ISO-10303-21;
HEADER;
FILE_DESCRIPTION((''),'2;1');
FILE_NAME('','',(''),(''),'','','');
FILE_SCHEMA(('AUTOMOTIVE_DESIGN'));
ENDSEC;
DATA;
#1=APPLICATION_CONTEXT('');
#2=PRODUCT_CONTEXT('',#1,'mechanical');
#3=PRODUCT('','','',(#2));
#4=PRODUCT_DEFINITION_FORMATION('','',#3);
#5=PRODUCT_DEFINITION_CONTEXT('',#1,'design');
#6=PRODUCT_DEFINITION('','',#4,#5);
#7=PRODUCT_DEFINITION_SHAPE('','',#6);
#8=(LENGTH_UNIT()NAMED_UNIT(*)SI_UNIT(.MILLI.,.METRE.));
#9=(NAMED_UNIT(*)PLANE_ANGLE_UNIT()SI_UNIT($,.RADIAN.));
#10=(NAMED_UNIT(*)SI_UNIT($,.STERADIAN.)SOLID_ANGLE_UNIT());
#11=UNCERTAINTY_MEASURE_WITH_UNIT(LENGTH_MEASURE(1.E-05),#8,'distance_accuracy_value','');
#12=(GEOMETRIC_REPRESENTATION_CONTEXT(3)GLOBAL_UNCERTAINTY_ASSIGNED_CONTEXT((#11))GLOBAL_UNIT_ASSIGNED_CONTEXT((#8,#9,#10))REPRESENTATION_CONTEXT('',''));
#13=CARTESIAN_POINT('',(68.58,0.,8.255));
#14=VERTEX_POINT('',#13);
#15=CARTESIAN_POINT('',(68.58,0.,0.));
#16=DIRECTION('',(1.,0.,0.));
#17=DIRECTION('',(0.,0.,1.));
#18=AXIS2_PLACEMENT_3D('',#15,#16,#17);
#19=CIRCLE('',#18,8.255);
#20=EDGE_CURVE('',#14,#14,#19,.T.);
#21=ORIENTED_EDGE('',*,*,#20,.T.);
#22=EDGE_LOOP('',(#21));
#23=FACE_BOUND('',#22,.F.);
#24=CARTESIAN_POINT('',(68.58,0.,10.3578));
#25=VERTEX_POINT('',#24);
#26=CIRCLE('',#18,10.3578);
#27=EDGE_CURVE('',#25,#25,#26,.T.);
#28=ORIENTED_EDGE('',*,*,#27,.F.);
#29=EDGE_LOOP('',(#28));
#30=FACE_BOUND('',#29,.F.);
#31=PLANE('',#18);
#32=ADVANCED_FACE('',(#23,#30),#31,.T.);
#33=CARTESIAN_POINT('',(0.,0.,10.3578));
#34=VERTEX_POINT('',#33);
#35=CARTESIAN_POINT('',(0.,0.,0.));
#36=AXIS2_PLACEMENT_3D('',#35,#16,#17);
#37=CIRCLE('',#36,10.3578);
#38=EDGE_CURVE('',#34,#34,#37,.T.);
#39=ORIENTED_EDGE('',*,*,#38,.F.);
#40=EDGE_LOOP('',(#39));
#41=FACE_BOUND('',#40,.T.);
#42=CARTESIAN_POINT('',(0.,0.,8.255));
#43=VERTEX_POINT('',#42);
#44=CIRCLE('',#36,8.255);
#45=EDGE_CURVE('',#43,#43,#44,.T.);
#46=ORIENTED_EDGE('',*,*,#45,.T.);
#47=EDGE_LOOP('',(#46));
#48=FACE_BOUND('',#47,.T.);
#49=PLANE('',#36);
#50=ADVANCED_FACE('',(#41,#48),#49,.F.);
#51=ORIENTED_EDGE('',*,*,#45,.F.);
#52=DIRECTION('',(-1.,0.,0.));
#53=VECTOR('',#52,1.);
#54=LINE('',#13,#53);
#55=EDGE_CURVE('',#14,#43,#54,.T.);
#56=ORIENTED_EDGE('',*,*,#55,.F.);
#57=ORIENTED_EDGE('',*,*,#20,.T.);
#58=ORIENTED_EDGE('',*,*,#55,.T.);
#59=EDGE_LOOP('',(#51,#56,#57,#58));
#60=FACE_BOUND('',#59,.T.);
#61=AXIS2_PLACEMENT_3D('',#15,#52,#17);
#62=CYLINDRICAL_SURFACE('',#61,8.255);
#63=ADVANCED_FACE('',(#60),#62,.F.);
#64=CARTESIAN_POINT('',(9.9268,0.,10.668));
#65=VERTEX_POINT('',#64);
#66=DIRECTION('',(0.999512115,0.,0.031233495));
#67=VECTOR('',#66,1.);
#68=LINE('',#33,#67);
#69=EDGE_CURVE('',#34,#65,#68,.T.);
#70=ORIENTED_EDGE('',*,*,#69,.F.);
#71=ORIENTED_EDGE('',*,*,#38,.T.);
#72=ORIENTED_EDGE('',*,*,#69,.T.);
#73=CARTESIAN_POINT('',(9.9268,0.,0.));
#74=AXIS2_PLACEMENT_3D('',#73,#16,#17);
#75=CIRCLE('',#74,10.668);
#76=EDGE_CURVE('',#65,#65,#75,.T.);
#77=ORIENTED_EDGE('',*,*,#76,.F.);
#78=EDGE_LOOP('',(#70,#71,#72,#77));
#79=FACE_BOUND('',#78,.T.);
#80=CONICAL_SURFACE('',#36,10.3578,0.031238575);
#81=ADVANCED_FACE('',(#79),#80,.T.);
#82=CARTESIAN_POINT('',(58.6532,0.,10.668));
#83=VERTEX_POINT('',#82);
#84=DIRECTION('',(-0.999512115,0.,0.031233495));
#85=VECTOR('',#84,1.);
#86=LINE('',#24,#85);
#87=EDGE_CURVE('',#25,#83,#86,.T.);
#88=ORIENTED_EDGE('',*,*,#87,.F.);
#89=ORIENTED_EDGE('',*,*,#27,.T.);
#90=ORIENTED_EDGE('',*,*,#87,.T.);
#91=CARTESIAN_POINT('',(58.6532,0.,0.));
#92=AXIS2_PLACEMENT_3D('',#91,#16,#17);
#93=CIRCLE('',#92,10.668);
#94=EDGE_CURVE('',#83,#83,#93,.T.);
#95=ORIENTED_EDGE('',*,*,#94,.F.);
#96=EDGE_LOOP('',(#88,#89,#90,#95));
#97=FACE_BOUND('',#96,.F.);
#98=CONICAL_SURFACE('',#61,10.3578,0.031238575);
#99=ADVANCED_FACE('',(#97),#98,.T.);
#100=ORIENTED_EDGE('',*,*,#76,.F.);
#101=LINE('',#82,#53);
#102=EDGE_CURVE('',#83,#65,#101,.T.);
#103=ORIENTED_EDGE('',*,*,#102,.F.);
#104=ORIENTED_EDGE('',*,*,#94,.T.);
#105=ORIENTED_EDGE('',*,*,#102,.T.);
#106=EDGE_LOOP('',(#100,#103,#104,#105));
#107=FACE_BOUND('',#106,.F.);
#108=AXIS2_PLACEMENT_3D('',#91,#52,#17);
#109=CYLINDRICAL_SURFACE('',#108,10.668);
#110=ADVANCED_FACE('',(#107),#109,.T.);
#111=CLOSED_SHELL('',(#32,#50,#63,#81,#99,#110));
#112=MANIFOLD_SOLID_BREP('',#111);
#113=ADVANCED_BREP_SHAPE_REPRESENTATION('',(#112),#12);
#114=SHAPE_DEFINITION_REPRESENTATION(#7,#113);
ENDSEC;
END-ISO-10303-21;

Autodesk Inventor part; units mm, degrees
ref_plane "YZ Plane" through (0, 0, 0) normal (1, 0, 0) x (0, 1, 0)
ref_plane "XZ Plane" through (0, 0, 0) normal (0, 1, 0) x (-1, 0, 0)
ref_plane "XY Plane" through (0, 0, 0) normal (0, 0, 1) x (1, 0, 0)
sketch "Sketch1" plane through (0, 0, 0) normal (0, 1, 0) x (-1, 0, 0)
  line L0 (0, 0) -> (-68.58, 0)
  line L1 (-68.58, 0) -> (-68.58, 8.255) construction
  line L2 (-68.58, 8.255) -> (-68.58, 10.3578)
  line L3 (-68.58, 10.3578) -> (-58.6532, 10.668)
  line L4 (-58.6532, 10.668) -> (-9.9268, 10.668)
  line L5 (-34.29, 0) -> (-34.29, 10.668) construction
  line L6 (-68.58, 8.255) -> (0, 8.255)
  line L7 (0, 0) -> (0, 8.255) construction
  line L8 (0, 8.255) -> (0, 10.3578)
  line L9 (0, 10.3578) -> (-9.9268, 10.668)
  line L10 (-55.024, 10.7814) -> (-55.024, 0) construction
  line L11 (-13.556, 10.7814) -> (-13.556, 0) construction
  line L12 (-58.6532, 10.668) -> (-55.024, 10.7814) construction
  line L13 (-58.6532, 10.668) -> (-58.6532, 0) construction
  line L14 (-9.9268, 10.668) -> (-13.556, 10.7814) construction
  line L15 (-9.9268, 10.668) -> (-9.9268, 0) construction
  dimension "d0" = 21.336
  dimension "d1" = 1.79
  dimension "d2" = 16.51
  dimension "d3" = 68.58
  dimension "d4" = 13.556
  dimension "d5" = 21.5628
revolve "Revolution1" add sketch "Sketch1" angle 360 about axis through (0, 0, 0) along (1, 0, 0)
thread "Thread1" size "1/2" designation "1/2 - 14 NPT" standard "NPT" full length
thread "Thread2" size "1/2" designation "1/2 - 14 NPT" standard "NPT" full length
equation "\"d0\" = OD"
equation "\"d2\" = ID"
equation "\"d3\" = L"
equation "\"d4\" = L2"
equation "\"d5\" = D2"
equation "\"OD\" = 21.336"
equation "\"t\" = 2.413"
equation "\"L\" = PL"
equation "\"L4\" = 19.8501"
equation "\"ID\" = 16.51"
equation "\"PL\" = 68.58"
equation "\"D2\" = 21.56282"
equation "\"L2\" = 13.55598"
equation "\"Size_Designation\" = 1.2345"
equation "\"PLmin\" = 2 * L2"
properties material "Steel, Wrought"
